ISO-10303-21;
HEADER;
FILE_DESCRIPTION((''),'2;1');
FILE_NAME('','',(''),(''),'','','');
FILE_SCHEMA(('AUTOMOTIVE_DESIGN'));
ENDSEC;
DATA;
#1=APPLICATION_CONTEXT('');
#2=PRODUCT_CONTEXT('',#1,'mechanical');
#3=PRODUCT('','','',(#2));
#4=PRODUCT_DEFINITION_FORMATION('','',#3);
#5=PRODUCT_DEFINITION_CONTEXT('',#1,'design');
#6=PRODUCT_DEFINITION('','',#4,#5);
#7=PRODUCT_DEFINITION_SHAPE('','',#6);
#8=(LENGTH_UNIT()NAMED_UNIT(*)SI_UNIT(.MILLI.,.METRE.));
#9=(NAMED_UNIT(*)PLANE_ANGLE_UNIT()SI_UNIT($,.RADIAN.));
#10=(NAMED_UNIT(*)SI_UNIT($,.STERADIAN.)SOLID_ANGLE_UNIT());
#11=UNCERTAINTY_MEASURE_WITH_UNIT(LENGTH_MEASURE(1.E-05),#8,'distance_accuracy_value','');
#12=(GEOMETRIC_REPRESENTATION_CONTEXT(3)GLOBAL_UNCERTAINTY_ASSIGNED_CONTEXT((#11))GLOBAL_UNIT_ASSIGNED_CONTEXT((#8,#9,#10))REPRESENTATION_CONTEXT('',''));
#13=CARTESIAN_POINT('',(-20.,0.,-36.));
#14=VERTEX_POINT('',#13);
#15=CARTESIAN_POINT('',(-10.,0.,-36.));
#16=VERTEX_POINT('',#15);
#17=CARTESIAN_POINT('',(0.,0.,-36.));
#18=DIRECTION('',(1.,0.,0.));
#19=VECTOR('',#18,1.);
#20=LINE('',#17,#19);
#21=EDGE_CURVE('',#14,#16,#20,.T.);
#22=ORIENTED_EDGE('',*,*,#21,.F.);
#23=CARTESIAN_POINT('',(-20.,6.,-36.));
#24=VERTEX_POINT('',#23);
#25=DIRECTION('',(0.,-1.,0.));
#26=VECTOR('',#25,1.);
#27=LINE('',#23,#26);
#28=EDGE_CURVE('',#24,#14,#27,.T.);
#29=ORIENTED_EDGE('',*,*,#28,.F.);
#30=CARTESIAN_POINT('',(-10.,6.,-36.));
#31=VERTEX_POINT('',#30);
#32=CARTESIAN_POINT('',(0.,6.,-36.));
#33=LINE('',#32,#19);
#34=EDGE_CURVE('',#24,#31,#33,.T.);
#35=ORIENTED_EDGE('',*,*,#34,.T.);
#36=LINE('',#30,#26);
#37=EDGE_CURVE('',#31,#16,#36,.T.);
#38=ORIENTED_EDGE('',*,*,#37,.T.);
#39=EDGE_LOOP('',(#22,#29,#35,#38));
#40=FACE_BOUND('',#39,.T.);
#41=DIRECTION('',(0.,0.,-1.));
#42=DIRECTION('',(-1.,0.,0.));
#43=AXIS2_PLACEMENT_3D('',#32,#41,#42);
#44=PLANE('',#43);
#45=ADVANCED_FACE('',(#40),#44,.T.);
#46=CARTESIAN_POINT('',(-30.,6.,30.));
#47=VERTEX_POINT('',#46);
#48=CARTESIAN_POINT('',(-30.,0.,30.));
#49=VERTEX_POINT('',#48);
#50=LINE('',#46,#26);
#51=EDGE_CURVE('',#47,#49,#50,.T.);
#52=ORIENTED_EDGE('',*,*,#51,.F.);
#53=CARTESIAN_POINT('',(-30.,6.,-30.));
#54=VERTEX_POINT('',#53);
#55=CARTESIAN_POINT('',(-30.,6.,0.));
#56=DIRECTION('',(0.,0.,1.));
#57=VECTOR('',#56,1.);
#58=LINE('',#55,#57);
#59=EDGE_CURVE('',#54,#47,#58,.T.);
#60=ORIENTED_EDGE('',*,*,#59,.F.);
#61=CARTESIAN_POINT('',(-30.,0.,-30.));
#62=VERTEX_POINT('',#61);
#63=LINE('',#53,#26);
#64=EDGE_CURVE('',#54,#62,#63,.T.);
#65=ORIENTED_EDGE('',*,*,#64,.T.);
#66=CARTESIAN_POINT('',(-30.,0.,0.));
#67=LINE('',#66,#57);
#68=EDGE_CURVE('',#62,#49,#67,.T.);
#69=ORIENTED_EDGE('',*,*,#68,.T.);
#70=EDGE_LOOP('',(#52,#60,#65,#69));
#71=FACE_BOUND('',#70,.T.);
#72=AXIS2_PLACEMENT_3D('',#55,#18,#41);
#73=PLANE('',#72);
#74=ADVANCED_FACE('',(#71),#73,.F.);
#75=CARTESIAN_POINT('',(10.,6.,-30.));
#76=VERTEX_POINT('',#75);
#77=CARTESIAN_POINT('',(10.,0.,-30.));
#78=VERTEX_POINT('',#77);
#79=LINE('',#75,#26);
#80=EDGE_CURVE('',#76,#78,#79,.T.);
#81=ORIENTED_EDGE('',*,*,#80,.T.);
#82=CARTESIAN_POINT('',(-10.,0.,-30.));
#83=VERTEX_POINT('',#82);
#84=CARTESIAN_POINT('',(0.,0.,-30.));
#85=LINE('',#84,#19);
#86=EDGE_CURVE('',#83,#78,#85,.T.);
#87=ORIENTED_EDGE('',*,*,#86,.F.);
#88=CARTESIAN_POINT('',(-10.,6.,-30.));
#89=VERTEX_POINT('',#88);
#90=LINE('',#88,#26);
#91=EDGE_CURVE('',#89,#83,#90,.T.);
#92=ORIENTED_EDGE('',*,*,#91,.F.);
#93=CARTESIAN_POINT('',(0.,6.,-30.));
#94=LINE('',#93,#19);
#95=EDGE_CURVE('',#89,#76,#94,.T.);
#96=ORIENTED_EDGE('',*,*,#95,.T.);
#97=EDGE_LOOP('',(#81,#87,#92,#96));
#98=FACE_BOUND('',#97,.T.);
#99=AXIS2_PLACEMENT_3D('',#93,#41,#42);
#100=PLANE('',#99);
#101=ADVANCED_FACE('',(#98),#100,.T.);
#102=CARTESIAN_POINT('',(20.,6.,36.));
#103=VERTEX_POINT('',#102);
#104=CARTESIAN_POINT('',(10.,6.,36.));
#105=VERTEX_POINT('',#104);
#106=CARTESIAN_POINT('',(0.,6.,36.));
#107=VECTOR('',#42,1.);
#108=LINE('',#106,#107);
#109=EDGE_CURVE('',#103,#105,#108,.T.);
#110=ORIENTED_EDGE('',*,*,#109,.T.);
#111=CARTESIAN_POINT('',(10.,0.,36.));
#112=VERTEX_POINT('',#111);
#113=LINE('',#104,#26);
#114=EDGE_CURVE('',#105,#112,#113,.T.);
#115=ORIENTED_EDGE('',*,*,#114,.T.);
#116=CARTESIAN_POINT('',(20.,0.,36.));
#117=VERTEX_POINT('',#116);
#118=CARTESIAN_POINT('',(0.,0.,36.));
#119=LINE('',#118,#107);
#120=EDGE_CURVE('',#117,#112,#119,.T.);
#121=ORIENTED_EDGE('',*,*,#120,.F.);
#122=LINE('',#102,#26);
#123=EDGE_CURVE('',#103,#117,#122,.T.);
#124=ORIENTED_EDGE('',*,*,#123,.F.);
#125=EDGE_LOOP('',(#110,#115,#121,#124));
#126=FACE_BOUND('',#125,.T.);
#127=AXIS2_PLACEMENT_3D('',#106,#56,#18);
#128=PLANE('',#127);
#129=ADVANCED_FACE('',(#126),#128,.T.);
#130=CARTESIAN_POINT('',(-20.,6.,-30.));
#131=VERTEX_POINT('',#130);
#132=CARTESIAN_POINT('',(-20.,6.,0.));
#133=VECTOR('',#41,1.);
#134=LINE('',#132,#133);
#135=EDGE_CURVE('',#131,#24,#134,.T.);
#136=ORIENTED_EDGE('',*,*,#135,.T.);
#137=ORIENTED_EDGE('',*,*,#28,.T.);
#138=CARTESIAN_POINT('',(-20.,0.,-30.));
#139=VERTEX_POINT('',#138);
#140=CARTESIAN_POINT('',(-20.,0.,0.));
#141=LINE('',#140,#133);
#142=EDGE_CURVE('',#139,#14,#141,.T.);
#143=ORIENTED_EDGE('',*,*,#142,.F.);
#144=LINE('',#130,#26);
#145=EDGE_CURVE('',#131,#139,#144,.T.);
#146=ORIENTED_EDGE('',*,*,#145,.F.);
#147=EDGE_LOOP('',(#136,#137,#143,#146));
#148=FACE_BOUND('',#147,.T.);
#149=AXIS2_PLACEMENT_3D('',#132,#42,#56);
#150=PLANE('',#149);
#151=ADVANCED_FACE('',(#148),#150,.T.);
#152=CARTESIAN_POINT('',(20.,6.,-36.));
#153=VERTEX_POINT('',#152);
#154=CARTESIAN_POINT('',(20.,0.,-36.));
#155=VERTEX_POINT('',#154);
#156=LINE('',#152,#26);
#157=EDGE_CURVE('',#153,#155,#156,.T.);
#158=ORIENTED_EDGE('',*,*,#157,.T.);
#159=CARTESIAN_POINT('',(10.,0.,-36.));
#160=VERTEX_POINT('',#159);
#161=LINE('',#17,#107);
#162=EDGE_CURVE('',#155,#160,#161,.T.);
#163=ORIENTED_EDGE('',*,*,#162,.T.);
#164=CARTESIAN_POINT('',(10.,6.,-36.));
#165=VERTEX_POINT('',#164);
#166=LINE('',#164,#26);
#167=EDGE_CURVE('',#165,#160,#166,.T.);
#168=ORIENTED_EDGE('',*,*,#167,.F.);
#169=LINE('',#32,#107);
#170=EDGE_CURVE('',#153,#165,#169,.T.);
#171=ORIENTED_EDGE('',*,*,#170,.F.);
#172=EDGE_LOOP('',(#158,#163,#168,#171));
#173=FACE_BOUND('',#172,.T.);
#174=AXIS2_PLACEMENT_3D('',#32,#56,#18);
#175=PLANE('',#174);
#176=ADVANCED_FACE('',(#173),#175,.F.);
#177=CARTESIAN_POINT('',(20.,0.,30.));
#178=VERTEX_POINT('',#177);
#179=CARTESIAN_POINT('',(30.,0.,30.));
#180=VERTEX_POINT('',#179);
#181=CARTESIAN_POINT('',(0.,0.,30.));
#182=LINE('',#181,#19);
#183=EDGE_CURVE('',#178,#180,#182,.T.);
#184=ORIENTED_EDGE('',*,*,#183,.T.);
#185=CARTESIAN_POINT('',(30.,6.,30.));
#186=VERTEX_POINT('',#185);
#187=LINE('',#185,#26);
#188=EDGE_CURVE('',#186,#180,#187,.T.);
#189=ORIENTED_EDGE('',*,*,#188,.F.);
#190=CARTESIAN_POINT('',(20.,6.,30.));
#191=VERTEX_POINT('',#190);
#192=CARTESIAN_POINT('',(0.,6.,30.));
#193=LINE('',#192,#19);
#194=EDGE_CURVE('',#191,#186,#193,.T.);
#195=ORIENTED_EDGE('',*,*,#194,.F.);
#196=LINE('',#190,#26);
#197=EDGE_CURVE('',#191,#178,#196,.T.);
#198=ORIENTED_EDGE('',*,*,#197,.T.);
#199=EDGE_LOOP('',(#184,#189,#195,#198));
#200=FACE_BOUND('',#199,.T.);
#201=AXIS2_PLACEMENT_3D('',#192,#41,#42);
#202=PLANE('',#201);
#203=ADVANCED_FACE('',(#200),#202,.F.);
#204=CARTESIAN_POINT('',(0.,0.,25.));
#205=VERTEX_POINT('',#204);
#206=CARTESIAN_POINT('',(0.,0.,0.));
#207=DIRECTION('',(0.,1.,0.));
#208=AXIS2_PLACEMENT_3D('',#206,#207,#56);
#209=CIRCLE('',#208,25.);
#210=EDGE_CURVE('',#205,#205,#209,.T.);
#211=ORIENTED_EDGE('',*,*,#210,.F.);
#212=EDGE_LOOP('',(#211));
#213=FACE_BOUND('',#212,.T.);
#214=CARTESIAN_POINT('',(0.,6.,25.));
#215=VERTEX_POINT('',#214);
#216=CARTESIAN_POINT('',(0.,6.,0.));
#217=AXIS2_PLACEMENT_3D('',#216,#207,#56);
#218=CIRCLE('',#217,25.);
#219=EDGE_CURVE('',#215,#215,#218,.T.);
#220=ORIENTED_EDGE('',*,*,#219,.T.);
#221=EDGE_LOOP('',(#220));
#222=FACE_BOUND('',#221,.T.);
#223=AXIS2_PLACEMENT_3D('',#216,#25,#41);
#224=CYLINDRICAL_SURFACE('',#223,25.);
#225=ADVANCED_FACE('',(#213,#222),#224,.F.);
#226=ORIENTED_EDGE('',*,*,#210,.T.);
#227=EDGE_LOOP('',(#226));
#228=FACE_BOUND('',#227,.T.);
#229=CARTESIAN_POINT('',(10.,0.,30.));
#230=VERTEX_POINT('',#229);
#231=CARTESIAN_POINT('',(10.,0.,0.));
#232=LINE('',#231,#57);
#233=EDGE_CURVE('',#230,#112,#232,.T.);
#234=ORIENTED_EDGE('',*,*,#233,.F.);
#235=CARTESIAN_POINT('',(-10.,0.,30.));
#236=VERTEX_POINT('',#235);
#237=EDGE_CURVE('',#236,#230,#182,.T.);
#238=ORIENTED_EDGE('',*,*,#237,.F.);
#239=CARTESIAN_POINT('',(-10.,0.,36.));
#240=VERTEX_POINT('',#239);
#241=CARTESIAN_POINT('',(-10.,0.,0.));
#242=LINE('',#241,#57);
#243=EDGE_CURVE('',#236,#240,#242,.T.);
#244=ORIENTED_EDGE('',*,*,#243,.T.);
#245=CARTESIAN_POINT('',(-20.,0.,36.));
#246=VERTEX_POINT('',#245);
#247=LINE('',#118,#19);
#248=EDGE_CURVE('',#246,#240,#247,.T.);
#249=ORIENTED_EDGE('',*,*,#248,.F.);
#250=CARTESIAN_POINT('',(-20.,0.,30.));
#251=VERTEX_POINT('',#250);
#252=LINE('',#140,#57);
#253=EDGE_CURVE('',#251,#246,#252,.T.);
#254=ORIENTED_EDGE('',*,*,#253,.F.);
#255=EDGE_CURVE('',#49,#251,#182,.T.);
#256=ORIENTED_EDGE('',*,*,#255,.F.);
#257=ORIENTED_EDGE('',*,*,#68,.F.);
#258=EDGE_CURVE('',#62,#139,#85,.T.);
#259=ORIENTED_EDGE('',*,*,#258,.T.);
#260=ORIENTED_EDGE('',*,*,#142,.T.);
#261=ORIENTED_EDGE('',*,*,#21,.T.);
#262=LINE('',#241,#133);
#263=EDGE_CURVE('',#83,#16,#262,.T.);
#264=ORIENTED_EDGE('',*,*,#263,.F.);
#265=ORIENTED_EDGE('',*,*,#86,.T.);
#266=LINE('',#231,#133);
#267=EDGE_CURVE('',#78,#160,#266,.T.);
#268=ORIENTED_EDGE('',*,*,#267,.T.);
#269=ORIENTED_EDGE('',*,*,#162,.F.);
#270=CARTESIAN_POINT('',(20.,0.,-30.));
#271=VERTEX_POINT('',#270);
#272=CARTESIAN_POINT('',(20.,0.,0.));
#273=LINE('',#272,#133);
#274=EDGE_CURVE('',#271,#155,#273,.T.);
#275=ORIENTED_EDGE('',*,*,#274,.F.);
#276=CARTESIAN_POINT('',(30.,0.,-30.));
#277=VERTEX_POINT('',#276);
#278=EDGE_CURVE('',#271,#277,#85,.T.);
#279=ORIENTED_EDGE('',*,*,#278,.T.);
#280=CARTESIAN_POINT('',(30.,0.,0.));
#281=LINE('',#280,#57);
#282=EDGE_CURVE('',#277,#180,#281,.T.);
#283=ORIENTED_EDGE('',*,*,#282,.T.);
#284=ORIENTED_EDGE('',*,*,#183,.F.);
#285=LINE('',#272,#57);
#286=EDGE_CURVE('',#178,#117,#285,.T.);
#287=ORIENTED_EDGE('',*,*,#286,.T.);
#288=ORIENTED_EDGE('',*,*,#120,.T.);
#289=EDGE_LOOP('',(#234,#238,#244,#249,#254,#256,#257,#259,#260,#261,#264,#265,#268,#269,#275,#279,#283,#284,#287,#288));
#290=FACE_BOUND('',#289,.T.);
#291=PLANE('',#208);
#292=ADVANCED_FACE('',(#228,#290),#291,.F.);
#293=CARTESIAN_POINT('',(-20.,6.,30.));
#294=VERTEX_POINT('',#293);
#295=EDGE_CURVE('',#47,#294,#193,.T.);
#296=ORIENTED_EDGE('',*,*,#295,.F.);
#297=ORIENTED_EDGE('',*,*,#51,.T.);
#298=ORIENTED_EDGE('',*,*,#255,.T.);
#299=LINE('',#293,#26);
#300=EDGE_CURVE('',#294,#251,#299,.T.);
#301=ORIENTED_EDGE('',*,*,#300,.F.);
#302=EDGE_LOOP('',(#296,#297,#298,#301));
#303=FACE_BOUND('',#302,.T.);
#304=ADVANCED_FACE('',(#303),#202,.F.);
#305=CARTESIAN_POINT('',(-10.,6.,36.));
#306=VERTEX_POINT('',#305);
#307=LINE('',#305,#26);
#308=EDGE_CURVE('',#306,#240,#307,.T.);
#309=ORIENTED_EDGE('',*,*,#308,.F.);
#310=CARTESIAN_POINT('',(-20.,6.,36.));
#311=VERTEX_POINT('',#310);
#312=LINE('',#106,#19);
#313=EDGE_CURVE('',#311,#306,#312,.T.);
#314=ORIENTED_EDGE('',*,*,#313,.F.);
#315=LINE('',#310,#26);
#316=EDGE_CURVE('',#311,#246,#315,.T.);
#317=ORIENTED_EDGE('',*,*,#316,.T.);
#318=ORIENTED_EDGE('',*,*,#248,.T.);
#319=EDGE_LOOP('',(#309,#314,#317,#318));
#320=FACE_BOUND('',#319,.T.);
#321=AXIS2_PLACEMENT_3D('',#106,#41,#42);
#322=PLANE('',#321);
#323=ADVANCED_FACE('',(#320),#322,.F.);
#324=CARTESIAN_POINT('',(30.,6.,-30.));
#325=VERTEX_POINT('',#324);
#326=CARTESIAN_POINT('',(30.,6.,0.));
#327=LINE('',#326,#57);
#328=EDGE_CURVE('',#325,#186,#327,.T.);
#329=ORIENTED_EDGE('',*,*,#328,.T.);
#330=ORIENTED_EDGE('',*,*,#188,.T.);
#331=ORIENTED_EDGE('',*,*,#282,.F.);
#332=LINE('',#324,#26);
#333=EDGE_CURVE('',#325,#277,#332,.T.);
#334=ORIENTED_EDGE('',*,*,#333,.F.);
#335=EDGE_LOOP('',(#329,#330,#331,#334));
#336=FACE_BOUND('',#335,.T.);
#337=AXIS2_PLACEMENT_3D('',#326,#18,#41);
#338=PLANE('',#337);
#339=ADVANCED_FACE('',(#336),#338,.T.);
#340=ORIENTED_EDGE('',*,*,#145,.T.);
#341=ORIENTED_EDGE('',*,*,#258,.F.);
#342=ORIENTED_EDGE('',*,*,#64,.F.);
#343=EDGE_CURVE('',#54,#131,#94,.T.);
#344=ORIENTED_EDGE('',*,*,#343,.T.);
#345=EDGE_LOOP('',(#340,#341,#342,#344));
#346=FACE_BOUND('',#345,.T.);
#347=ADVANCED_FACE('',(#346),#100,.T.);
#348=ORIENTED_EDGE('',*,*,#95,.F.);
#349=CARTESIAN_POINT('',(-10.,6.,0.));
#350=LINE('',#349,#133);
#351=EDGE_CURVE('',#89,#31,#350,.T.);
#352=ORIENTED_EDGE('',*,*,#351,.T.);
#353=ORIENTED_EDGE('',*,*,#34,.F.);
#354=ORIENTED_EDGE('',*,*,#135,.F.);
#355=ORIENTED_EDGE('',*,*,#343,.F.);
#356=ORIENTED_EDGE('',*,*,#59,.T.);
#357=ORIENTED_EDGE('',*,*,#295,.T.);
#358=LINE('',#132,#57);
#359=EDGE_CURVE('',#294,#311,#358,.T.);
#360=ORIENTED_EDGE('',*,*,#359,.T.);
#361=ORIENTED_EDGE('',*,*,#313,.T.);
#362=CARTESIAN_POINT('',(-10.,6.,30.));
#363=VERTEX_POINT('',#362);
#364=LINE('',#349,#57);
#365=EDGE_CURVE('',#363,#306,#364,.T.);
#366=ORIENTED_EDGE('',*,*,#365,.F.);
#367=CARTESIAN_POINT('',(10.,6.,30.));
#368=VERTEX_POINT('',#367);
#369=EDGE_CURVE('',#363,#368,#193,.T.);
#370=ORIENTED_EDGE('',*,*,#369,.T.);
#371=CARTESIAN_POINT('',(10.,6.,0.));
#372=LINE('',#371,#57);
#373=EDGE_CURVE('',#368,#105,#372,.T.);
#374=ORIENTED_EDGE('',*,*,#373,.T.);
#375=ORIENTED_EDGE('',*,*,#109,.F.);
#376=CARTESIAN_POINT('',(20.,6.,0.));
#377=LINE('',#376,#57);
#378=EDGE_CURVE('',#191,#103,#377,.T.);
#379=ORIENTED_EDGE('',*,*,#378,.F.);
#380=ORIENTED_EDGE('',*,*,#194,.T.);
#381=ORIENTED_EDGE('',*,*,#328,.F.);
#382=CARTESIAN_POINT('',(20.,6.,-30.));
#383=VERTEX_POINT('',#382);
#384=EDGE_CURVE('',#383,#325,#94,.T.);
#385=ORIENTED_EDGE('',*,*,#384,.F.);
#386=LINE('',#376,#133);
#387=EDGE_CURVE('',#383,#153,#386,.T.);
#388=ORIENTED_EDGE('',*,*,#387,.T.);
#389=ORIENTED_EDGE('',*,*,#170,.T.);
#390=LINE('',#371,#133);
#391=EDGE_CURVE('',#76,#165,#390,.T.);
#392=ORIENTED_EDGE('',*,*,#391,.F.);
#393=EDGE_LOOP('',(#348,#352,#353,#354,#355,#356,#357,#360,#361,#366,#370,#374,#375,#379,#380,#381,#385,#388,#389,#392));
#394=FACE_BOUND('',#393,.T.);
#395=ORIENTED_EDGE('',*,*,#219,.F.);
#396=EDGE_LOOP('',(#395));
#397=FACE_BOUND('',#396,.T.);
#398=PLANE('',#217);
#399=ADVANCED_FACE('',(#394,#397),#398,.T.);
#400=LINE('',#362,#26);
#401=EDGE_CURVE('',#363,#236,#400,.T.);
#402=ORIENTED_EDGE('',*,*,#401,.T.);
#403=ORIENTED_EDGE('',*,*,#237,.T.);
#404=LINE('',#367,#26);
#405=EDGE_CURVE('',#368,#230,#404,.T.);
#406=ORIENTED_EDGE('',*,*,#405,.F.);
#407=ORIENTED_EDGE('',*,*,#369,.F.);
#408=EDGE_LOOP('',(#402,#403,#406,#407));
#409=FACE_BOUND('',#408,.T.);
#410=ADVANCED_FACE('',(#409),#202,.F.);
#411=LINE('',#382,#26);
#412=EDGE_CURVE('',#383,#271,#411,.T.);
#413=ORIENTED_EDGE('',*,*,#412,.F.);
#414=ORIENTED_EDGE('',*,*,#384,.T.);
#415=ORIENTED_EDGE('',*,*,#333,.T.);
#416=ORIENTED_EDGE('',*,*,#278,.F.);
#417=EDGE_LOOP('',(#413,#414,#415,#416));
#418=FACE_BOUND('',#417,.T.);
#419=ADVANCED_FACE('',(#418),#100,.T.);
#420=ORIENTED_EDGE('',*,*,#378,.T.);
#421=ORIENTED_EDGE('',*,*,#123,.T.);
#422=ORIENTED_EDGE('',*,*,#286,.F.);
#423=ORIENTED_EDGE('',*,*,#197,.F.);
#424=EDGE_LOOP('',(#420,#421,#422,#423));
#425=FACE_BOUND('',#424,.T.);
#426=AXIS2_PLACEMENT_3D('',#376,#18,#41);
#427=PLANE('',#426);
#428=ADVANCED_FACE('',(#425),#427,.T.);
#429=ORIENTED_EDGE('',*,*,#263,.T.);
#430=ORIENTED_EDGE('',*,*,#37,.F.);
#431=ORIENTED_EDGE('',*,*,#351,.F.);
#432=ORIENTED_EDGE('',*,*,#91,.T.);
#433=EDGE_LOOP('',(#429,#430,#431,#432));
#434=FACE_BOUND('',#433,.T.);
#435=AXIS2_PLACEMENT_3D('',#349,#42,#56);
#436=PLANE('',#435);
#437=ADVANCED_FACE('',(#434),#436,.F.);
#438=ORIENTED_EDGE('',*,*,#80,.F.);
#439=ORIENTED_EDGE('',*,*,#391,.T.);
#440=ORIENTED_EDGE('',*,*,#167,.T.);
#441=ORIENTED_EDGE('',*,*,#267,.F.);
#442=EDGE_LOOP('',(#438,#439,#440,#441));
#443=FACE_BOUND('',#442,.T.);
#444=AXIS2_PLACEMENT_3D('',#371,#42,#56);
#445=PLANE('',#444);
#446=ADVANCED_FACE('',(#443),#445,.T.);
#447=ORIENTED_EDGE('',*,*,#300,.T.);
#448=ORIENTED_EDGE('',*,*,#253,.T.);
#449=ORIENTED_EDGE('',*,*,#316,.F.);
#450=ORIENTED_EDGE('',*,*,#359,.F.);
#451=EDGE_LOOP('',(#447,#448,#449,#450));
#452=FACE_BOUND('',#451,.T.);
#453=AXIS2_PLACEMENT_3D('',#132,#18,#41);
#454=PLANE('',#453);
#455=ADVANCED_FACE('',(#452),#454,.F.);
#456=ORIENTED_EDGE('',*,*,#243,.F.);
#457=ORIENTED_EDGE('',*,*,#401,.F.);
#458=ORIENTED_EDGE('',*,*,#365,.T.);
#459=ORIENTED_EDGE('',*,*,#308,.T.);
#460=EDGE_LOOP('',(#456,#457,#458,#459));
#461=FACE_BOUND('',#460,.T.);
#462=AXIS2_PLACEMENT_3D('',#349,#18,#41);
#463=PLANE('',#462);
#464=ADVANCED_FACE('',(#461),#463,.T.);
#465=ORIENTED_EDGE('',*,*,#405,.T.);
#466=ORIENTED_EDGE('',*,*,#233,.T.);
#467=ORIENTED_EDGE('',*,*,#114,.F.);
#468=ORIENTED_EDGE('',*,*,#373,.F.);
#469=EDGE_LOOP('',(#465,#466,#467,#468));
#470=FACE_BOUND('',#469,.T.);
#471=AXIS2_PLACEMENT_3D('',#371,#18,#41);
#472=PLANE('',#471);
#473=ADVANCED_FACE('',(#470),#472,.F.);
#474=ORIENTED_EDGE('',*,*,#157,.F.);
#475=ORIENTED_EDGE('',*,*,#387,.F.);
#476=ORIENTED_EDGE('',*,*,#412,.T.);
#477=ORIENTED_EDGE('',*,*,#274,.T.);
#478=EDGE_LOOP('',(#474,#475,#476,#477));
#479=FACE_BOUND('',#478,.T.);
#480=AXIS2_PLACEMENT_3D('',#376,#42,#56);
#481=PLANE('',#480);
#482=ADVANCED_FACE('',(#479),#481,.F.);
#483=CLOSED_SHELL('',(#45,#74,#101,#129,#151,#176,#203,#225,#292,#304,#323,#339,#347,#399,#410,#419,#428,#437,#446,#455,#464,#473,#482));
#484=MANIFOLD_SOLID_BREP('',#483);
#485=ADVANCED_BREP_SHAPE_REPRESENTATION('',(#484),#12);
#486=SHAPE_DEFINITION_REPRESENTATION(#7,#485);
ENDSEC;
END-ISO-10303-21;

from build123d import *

# Parameters (mm, degrees)
SKETCH1_R           = 25
BOSS_EXTRUDE1_DEPTH = 6


with BuildPart() as part:
    # Sketch1 → Boss-Extrude1 (new body)
    with BuildSketch(Plane(origin=(0, 0, 0), x_dir=(1, 0, 0), z_dir=(0, 1, 0))):
        Polygon((-20, 30), (-30, 30), (-30, -30), (-20, -30), (-20, -36), (-10, -36), (-10, -30), (10, -30), (10, -36), (20, -36), (20, -30), (30, -30), (30, 30), (20, 30), (20, 36), (10, 36), (10, 30), (-10, 30), (-10, 36), (-20, 36), align=None)
        with Locations(Location((0, 0, 0), (0, 0, 270))):
            Circle(SKETCH1_R, mode=Mode.SUBTRACT)
    extrude(amount=BOSS_EXTRUDE1_DEPTH)


solid = part.part
